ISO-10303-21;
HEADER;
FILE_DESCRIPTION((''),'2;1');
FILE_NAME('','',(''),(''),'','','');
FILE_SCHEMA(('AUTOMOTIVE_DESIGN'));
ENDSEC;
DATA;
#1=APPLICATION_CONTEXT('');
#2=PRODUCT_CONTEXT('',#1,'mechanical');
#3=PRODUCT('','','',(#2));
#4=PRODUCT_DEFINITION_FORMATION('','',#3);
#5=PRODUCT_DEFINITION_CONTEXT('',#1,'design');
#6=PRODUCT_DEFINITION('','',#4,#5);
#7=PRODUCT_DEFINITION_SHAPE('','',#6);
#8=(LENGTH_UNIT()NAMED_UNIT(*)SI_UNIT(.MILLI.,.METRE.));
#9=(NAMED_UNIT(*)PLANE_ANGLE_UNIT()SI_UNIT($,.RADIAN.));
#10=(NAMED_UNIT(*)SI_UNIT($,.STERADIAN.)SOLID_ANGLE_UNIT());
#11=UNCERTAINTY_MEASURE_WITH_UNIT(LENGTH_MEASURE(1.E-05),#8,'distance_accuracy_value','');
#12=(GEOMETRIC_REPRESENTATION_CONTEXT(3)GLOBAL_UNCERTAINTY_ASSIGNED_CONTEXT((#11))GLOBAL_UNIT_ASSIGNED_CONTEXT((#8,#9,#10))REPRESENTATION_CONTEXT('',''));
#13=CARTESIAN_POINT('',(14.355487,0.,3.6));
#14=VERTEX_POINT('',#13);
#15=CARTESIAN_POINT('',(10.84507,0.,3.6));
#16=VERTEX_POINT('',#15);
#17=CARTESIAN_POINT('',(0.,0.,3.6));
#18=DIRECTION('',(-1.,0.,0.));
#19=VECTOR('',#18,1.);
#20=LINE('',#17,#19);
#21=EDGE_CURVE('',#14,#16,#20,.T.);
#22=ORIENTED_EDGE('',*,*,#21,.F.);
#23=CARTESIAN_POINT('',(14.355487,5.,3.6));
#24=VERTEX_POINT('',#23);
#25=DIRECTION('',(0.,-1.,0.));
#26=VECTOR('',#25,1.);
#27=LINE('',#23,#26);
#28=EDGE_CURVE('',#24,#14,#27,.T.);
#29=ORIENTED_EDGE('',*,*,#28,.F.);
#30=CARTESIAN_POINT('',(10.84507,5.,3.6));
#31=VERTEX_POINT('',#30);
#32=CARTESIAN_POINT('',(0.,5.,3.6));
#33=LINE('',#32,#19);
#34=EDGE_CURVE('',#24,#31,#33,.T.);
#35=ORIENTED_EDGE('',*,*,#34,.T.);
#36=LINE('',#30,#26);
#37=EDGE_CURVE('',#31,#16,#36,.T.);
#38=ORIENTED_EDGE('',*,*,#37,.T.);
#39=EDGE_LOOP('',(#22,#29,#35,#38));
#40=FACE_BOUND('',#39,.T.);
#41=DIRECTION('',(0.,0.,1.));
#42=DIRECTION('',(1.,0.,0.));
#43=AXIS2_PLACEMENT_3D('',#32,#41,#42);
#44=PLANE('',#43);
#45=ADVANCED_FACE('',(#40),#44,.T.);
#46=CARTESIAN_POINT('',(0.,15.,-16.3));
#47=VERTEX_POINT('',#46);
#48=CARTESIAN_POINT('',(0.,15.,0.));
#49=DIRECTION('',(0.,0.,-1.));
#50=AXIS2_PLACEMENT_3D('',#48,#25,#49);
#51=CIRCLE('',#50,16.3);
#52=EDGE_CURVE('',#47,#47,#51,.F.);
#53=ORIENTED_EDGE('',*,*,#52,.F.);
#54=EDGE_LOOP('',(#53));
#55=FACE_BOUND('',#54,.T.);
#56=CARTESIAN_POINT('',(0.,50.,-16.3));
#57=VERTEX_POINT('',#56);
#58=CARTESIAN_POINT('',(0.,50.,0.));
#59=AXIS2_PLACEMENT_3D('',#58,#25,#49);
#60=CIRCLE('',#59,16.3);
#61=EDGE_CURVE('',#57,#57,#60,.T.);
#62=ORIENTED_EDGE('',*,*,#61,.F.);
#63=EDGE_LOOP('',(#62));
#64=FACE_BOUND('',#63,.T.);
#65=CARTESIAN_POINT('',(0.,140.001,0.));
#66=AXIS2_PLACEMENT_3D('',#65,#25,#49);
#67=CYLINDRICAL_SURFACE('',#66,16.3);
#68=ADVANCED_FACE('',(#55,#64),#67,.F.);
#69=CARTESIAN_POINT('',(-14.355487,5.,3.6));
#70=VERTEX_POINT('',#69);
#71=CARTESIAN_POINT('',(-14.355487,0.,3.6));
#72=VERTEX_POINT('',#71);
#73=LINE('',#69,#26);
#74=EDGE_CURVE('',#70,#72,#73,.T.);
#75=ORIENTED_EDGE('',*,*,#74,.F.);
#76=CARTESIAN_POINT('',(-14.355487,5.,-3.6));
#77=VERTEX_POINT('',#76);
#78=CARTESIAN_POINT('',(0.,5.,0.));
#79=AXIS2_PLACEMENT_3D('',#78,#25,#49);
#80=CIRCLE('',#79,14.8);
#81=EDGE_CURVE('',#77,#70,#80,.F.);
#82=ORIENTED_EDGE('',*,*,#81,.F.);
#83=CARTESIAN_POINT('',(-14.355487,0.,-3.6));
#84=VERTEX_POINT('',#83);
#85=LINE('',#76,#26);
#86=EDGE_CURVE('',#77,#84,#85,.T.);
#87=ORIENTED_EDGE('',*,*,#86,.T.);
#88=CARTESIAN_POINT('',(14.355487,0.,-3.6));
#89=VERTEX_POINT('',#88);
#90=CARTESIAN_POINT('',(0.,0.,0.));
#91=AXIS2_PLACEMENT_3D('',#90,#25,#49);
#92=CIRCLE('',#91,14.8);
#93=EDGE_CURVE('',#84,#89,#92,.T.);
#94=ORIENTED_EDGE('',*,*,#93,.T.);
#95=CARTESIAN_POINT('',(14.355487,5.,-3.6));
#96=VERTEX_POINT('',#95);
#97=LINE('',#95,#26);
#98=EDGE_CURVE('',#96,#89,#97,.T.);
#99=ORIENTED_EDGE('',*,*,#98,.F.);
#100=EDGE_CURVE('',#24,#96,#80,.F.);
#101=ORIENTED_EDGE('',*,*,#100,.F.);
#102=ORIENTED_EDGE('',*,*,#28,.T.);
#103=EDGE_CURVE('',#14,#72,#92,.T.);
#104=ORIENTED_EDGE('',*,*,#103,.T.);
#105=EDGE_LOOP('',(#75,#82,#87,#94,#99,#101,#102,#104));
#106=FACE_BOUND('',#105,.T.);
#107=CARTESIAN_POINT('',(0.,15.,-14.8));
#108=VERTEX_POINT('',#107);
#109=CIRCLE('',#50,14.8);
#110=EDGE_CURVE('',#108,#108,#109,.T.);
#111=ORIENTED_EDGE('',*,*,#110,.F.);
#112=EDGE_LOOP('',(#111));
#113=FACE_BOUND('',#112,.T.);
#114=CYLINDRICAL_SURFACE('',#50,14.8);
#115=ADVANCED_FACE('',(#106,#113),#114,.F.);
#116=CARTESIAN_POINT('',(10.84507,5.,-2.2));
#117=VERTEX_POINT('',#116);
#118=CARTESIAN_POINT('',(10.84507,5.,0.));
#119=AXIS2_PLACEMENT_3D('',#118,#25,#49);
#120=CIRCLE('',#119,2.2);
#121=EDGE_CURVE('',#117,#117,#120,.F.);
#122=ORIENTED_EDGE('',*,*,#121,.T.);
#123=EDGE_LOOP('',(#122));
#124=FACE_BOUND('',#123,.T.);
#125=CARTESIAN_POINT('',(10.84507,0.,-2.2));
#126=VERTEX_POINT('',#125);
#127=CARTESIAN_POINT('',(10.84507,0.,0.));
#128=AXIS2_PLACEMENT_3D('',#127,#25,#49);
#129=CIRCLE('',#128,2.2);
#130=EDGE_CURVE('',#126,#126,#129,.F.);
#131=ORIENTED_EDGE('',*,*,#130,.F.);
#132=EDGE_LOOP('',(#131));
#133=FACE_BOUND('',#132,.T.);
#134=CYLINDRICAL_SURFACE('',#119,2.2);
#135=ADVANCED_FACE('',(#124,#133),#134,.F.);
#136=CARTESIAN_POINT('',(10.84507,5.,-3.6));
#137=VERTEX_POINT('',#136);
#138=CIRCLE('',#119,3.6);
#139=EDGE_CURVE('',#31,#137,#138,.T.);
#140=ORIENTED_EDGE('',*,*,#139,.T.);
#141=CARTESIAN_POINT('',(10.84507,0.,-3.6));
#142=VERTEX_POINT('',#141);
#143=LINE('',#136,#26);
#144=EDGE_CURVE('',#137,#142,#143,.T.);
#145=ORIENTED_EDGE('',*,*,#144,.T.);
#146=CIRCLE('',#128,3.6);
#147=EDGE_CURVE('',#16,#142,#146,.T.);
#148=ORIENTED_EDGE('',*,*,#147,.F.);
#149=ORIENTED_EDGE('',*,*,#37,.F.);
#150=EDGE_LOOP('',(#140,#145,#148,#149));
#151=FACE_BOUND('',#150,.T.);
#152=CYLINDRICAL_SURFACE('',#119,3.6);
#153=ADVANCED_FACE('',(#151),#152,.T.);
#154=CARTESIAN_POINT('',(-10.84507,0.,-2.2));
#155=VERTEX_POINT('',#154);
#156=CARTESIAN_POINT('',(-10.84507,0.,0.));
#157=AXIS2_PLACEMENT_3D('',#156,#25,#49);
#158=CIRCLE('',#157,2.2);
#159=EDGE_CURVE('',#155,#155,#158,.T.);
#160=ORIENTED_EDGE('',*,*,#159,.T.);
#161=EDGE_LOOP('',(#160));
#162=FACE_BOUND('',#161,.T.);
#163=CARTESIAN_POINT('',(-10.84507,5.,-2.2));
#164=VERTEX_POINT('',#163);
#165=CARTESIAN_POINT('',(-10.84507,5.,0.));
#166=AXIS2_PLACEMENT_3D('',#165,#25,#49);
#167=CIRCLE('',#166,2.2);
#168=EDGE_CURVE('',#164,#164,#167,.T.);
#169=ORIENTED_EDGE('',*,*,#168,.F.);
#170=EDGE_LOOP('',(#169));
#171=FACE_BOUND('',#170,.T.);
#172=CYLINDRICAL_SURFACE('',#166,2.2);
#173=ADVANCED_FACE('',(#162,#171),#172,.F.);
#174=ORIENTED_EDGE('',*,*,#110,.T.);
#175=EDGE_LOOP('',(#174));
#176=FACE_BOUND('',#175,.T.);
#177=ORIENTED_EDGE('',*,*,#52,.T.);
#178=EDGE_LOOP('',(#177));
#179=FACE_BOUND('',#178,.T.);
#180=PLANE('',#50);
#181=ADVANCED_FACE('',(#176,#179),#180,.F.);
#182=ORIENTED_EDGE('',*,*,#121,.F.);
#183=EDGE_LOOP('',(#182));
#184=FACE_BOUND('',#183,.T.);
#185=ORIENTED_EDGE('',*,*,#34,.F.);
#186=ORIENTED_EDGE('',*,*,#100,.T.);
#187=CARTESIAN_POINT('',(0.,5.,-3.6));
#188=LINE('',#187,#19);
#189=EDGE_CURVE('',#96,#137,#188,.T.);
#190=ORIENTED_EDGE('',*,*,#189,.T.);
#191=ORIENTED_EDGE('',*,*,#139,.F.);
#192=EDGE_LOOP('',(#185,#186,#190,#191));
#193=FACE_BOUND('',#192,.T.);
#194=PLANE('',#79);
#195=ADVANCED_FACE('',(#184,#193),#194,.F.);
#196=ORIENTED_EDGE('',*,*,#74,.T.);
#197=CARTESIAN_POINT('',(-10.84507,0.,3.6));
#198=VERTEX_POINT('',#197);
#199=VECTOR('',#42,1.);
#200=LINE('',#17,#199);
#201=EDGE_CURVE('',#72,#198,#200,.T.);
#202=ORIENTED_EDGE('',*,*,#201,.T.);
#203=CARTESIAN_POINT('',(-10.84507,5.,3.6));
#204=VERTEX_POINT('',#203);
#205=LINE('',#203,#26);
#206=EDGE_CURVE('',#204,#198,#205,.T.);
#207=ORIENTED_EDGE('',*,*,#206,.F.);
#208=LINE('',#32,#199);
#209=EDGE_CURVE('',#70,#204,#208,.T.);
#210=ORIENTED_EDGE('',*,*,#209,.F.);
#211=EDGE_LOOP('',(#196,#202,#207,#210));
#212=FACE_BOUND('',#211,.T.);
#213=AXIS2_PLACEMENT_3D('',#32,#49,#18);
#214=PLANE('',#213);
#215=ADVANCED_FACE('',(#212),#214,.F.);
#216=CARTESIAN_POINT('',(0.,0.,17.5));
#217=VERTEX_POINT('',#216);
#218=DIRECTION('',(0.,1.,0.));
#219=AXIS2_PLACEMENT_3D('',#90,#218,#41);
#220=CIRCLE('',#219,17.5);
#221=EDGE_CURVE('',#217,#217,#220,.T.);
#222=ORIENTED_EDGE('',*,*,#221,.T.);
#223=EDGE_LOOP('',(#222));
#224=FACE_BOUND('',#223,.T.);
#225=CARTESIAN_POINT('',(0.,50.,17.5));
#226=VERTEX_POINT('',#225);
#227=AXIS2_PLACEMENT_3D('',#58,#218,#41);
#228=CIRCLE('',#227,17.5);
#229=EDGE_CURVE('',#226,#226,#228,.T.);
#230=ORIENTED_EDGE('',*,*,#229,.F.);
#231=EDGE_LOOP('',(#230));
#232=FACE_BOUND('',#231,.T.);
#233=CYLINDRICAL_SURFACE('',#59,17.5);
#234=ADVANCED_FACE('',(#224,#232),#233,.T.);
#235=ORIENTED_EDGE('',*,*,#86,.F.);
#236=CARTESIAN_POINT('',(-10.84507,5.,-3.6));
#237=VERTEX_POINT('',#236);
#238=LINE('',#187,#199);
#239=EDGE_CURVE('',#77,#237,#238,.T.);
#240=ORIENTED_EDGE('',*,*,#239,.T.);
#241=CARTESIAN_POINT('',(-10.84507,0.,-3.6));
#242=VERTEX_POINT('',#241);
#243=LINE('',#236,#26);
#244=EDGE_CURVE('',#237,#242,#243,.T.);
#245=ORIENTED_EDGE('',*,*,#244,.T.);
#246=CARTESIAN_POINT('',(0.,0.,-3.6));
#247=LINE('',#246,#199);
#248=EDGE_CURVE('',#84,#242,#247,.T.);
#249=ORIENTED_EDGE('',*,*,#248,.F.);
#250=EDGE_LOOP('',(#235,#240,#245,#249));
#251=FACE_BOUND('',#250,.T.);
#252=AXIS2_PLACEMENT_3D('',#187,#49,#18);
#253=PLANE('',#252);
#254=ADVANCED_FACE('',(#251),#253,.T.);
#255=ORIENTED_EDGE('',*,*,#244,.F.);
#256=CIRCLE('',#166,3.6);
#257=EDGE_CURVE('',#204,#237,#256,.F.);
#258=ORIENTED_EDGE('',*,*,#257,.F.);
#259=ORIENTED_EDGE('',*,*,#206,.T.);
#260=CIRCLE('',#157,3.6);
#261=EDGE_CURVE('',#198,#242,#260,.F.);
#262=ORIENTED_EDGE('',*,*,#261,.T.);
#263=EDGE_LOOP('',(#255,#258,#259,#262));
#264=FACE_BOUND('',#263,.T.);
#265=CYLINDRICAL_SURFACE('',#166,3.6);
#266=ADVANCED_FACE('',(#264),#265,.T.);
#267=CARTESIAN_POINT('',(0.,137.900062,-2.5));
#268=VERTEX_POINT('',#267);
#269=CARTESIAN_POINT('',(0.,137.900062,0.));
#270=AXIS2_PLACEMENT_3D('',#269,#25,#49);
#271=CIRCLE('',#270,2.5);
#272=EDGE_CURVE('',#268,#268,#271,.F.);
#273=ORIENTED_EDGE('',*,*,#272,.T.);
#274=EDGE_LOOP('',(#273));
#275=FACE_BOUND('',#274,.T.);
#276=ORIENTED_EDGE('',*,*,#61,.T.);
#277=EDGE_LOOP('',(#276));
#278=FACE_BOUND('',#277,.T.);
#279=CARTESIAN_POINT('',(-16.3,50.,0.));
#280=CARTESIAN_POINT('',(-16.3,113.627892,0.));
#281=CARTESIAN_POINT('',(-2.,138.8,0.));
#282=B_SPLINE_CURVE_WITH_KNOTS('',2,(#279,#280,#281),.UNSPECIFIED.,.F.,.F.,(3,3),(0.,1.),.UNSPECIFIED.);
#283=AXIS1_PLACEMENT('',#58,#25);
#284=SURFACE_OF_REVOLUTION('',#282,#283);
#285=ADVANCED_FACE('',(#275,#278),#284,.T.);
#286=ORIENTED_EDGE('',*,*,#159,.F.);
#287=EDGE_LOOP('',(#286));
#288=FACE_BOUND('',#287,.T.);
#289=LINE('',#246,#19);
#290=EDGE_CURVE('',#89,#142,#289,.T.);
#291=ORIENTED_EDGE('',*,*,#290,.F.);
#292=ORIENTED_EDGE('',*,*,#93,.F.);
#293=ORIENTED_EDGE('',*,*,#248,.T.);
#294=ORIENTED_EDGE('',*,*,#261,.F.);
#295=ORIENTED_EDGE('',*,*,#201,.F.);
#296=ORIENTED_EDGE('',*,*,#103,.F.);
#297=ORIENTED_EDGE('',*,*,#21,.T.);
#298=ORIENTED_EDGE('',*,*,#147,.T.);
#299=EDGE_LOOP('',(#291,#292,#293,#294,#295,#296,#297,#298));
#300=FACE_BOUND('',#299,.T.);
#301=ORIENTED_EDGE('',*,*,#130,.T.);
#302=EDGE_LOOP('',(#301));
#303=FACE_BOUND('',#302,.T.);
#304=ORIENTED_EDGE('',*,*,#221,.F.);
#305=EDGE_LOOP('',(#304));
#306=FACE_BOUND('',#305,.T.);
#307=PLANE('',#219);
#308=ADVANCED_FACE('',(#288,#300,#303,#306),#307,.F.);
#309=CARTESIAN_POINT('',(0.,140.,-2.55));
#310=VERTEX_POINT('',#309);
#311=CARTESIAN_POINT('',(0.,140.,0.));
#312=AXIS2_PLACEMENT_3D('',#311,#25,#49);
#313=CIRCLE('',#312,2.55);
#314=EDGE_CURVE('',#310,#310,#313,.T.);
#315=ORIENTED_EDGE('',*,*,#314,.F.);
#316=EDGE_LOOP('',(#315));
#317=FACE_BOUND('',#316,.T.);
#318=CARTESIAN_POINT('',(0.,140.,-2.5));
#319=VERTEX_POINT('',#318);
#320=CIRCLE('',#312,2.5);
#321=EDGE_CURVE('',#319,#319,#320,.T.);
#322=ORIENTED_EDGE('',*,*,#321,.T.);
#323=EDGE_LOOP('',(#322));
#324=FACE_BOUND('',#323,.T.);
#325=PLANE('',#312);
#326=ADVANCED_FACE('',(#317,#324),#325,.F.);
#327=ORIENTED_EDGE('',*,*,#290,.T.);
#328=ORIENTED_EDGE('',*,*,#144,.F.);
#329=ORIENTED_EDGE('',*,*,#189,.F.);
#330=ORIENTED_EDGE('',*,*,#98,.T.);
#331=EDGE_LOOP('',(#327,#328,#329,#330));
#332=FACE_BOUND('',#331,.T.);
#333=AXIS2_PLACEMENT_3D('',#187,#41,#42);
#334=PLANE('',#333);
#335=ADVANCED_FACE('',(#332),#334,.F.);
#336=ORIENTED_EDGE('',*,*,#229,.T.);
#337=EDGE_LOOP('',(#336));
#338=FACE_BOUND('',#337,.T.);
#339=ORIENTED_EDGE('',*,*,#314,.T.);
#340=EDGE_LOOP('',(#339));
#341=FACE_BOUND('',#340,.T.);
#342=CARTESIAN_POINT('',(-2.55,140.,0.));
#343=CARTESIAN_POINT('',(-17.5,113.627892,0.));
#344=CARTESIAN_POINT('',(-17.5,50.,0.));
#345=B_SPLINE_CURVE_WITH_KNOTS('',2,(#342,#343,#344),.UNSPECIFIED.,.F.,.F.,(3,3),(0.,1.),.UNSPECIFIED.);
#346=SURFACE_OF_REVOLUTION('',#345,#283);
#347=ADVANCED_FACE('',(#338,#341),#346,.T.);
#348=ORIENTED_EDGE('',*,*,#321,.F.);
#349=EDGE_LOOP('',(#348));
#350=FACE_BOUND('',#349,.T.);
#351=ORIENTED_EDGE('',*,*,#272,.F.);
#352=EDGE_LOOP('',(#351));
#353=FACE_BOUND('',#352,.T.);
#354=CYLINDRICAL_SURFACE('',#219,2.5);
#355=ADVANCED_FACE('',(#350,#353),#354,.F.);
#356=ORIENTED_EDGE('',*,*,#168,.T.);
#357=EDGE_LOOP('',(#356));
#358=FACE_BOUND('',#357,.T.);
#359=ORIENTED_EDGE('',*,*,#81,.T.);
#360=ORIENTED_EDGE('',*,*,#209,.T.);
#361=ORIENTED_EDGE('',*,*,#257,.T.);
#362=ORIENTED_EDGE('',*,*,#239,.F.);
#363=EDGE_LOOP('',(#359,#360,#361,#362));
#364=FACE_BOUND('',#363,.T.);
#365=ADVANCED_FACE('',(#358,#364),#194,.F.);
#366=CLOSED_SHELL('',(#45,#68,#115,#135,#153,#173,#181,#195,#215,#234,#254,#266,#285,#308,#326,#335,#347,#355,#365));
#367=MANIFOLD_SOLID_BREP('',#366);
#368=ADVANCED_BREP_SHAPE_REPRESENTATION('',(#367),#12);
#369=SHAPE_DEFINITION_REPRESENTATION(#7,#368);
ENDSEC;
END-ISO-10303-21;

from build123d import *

# Parameters (mm, degrees)
SCHIZZO1_R                    = 17.5
ESTRUSIONE_ESTRUSIONE1_DEPTH  = 50
TAGLIO_ESTRUSIONE1_REACH      = 144.171
SCHIZZO10_R                   = 16.3
TAGLIO_ESTRUSIONE3_DEPTH      = 143.170672106
TAGLIO_ESTRUSIONE3_DEPTH_BACK = 143.170672106
SCHIZZO14_R                   = 2.5
SKETCH1_R                     = 16.3
SKETCH1_R_2                   = 14.8
BOSS_EXTRUDE3_DEPTH           = 15
BOSS_EXTRUDE4_DEPTH           = 5


with BuildPart() as part:
    # Schizzo1 → Estrusione-Estrusione1 (new body)
    with BuildSketch(Plane(origin=(0, 0, 0), x_dir=(1, 0, 0), z_dir=(0, 1, 0))):
        with Locations(Location((0, 0, 0), (0, 0, 270))):
            Circle(SCHIZZO1_R)
    extrude(amount=ESTRUSIONE_ESTRUSIONE1_DEPTH)

    # Schizzo7 → Rivoluzione1 (revolve)
    with BuildSketch(Plane.XY):
        with BuildLine():
            Line((0, 140), (-2.55, 140))
            add(Edge.make_bspline(
                [(-2.55, 140), (-17.5, 113.62789219), (-17.5, 50)],
                knots=[0, 0, 0, 1, 1, 1], degree=2))
            Line((-17.5, 50), (-16.3, 50))
            add(Edge.make_bspline(
                [(-2, 138.8), (-16.3, 113.62789219), (-16.3, 50)],
                knots=[0, 0, 0, 1, 1, 1], degree=2))
            Line((-2, 138.8), (0, 138.8))
            Line((0, 138.8), (0, 140))
        make_face()
    revolve(axis=Axis((0, 50, 0), (0, 1, 0)))

    # Schizzo10 → Taglio-Estrusione1 (cut, up to next)
    with BuildSketch(Plane(origin=(0, 0, 0), x_dir=(1, 0, 0), z_dir=(0, 1, 0)), mode=Mode.PRIVATE) as taglio_estrusione1_sk1:
        with Locations(Location((0, 0, 0), (0, 0, 90))):
            Circle(SCHIZZO10_R)
    taglio_estrusione1_tool1 = extrude(taglio_estrusione1_sk1.sketch, amount=TAGLIO_ESTRUSIONE1_REACH, mode=Mode.PRIVATE) & part.part
    add(taglio_estrusione1_tool1.solids().sort_by_distance((0, 0, 0))[0], mode=Mode.SUBTRACT)

    # Schizzo14 → Taglio-Estrusione3 (cut, two sides: drawn at the far end of the back side and taken through both)
    with BuildSketch(Plane(origin=(0, 140, 0), x_dir=(1, 0, 0), z_dir=(0, 1, 0)).offset(-TAGLIO_ESTRUSIONE3_DEPTH_BACK)):
        with Locations(Location((0, 0, 0), (0, 0, 90))):
            Circle(SCHIZZO14_R)
    extrude(amount=TAGLIO_ESTRUSIONE3_DEPTH + TAGLIO_ESTRUSIONE3_DEPTH_BACK, mode=Mode.SUBTRACT)

    # Sketch1 → Boss-Extrude3 (add)
    with BuildSketch(Plane.XZ):
        with Locations(Location((0, 0, 0), (0, 0, 270))):
            Circle(SKETCH1_R)
        with Locations(Location((0, 0, 0), (0, 0, 270))):
            Circle(SKETCH1_R_2, mode=Mode.SUBTRACT)
    extrude(amount=-BOSS_EXTRUDE3_DEPTH)

    # Sketch2 → Boss-Extrude4 (add)
    with BuildSketch(Plane.XZ):
        with BuildLine():
            ThreePointArc((-14.8, 0), (-14.688451314, -1.813669762), (-14.355486756, -3.6))
            Line((-14.355486756, -3.6), (-10.845070423, -3.6))
            ThreePointArc((-10.845070423, -3.6), (-8.29948601, -2.545584412), (-7.245070423, 0))
            Line((-7.245070423, 0), (-8.645070423, 0))
            ThreePointArc((-8.645070423, 0), (-10.845070423, -2.2), (-13.045070423, 0))
            Line((-13.045070423, 0), (-14.8, 0))
        make_face()
        with BuildLine():
            Line((-10.845070423, 3.6), (-14.355486756, 3.6))
            ThreePointArc((-14.355486756, 3.6), (-14.688451314, 1.813669762), (-14.8, 0))
            Line((-14.8, 0), (-13.045070423, 0))
            ThreePointArc((-13.045070423, 0), (-10.845070423, 2.2), (-8.645070423, 0))
            Line((-8.645070423, 0), (-7.245070423, 0))
            ThreePointArc((-7.245070423, 0), (-8.29948601, 2.545584412), (-10.845070423, 3.6))
        make_face()
        with BuildLine():
            ThreePointArc((8.645070423, 0), (10.845070423, 2.2), (13.045070423, 0))
            Line((13.045070423, 0), (14.8, 0))
            ThreePointArc((14.8, 0), (14.688451314, 1.813669762), (14.355486756, 3.6))
            Line((14.355486756, 3.6), (10.845070423, 3.6))
            ThreePointArc((10.845070423, 3.6), (8.29948601, 2.545584412), (7.245070423, 0))
            Line((7.245070423, 0), (8.645070423, 0))
        make_face()
        with BuildLine():
            Line((14.8, 0), (13.045070423, 0))
            ThreePointArc((13.045070423, 0), (10.845070423, -2.2), (8.645070423, 0))
            Line((8.645070423, 0), (7.245070423, 0))
            ThreePointArc((7.245070423, 0), (8.29948601, -2.545584412), (10.845070423, -3.6))
            Line((10.845070423, -3.6), (14.355486756, -3.6))
            ThreePointArc((14.355486756, -3.6), (14.688451314, -1.813669762), (14.8, 0))
        make_face()
    extrude(amount=-BOSS_EXTRUDE4_DEPTH)


solid = part.part
